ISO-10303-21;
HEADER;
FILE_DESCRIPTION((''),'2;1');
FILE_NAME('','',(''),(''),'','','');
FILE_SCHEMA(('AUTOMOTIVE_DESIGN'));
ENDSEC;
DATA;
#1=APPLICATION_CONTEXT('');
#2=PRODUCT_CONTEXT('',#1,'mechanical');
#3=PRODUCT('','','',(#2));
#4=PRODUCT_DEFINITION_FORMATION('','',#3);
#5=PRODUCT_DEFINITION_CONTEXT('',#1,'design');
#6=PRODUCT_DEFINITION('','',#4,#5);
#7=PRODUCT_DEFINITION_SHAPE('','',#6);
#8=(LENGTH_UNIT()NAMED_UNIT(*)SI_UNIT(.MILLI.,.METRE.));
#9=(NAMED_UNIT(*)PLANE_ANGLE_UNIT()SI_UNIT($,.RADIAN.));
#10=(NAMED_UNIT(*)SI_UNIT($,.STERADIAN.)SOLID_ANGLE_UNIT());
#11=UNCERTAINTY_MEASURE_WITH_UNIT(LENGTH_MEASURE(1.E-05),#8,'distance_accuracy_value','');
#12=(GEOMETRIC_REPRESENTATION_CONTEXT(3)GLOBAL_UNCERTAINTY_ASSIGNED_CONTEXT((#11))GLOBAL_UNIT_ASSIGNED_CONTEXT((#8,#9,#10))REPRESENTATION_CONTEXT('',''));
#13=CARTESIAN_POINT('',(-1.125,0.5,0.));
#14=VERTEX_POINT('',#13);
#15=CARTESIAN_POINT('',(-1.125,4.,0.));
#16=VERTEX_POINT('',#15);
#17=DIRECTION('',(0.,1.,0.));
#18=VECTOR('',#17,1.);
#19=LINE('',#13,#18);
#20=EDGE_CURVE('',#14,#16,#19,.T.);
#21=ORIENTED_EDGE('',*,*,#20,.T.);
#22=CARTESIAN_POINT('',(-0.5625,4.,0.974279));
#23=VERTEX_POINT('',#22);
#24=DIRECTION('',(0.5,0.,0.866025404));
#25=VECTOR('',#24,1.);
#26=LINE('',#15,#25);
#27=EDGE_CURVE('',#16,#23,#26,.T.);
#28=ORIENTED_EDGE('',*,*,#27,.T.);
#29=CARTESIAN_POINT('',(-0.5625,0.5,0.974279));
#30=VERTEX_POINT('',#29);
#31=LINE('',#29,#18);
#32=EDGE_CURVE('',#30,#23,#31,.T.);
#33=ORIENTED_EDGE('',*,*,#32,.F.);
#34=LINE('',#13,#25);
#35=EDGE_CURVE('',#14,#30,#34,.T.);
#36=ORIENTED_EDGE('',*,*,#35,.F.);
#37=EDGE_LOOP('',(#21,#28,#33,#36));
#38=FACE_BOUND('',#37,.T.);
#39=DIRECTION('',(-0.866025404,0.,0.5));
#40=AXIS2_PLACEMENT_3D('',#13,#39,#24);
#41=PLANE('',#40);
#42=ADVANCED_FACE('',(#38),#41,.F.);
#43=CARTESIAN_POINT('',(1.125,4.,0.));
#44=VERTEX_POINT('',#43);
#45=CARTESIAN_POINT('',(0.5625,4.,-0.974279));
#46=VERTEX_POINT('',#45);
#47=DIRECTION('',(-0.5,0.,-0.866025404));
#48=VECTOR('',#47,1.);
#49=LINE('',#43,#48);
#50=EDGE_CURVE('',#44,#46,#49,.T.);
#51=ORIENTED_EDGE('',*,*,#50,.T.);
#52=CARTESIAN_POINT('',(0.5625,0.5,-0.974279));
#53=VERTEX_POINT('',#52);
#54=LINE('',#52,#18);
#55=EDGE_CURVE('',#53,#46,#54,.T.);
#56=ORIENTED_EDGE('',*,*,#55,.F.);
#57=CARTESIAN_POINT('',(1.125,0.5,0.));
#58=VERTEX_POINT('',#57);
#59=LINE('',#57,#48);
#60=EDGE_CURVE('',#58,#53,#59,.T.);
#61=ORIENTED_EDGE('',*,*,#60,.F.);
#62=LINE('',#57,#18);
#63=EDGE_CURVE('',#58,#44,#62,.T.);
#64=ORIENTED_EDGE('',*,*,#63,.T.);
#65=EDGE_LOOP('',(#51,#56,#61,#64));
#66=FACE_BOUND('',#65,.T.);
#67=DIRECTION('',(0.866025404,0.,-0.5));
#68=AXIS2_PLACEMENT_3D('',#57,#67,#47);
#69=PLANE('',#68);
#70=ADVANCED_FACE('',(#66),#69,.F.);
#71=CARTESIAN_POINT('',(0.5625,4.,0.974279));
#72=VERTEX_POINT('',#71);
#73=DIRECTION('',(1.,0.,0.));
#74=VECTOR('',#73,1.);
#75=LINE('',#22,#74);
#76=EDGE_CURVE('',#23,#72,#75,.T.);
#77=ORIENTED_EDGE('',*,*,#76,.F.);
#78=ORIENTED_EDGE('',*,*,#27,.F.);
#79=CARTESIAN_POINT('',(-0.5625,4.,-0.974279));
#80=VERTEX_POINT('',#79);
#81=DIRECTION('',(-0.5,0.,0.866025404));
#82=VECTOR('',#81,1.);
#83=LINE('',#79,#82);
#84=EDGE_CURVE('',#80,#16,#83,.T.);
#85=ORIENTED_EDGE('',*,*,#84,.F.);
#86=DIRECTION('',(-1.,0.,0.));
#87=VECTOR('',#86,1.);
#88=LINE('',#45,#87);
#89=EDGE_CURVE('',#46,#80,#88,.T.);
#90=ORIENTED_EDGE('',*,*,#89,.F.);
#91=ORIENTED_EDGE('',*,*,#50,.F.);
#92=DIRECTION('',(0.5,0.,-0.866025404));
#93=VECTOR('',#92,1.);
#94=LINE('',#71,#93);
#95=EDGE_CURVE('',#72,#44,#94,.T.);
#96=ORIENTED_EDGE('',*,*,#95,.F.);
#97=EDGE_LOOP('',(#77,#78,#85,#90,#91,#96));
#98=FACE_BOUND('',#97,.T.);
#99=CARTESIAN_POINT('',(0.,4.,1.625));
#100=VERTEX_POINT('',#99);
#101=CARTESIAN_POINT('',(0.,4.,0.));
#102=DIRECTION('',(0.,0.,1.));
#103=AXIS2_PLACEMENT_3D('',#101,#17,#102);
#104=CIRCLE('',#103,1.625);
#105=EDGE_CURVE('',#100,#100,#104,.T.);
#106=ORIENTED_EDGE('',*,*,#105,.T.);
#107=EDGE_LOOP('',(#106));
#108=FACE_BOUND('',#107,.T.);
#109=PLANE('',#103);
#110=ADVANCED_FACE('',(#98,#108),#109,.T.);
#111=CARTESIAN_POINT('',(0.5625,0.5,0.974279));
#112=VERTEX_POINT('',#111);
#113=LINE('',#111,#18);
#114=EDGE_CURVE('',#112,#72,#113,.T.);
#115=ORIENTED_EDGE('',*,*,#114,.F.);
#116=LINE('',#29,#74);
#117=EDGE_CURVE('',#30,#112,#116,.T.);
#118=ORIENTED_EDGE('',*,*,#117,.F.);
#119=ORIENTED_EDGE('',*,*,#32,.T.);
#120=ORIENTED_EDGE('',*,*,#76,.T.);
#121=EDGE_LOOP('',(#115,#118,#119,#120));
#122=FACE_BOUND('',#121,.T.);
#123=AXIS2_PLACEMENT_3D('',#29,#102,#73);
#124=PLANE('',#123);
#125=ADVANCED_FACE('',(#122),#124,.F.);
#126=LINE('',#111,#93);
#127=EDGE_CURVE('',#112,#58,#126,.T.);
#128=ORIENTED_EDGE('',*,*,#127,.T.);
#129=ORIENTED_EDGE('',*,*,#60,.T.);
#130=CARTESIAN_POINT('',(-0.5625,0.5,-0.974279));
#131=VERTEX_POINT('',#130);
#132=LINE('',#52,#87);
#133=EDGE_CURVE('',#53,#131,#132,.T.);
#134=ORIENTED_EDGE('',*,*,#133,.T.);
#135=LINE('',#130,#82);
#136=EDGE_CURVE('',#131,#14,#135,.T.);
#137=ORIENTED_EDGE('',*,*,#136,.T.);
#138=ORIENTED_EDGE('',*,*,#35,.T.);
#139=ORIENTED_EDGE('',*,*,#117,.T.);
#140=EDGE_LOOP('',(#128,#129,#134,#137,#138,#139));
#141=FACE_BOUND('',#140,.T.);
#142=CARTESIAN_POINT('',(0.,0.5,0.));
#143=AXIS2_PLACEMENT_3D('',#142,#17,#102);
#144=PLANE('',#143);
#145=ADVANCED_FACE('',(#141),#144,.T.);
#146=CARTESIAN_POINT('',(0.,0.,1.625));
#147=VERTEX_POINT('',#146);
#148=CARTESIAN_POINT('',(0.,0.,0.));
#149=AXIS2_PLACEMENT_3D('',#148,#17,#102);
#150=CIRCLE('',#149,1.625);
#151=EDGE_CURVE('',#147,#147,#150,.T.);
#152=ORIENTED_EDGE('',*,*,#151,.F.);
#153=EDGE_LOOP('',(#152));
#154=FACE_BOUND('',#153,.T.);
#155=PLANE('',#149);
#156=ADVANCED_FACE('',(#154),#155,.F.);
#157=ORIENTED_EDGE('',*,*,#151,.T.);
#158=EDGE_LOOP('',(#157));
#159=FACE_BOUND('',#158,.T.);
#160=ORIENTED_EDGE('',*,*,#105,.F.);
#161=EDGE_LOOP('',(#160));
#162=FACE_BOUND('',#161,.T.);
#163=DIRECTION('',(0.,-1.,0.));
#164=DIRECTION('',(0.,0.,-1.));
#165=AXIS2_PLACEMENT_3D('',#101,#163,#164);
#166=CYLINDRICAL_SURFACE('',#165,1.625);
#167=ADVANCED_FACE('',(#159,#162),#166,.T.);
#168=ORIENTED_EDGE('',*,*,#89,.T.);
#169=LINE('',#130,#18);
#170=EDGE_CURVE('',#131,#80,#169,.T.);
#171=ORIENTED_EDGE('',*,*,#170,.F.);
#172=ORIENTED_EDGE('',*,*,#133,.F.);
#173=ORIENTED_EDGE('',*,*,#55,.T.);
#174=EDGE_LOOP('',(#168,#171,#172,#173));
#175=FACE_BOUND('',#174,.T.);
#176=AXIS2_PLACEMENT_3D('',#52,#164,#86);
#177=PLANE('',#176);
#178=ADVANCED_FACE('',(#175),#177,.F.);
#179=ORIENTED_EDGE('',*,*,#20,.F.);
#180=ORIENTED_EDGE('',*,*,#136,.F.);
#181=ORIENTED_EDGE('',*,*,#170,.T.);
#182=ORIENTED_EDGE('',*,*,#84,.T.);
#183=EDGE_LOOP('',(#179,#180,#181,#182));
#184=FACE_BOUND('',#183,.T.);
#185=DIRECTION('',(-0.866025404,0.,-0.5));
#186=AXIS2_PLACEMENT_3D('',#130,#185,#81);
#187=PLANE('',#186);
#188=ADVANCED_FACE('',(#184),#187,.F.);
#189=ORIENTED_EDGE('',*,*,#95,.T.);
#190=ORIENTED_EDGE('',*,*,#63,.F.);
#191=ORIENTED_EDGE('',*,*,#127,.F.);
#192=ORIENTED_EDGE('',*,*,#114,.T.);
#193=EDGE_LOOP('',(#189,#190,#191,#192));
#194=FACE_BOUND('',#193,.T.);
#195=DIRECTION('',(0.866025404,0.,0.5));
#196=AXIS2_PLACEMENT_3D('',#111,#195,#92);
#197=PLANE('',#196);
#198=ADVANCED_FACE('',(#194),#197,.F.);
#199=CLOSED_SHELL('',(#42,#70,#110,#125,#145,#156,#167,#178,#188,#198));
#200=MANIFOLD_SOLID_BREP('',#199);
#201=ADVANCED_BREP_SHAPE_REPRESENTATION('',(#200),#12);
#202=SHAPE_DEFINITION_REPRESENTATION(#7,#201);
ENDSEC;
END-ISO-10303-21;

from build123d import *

# Parameters (mm, degrees)
SKETCH1_R           = 1.625
BOSS_EXTRUDE1_DEPTH = 4
CUT_EXTRUDE1_DEPTH  = 3.5


with BuildPart() as part:
    # Sketch1 → Boss-Extrude1 (new body)
    with BuildSketch(Plane(origin=(0, 0, 0), x_dir=(1, 0, 0), z_dir=(0, 1, 0))):
        Circle(SKETCH1_R)
    extrude(amount=BOSS_EXTRUDE1_DEPTH)

    # Sketch2 → Cut-Extrude1 (cut)
    with BuildSketch(Plane(origin=(0, 4, 0), x_dir=(1, 0, 0), z_dir=(0, 1, 0))):
        Polygon((1.125, 0), (0.5625, 0.974278579), (-0.5625, 0.974278579), (-1.125, 0), (-0.5625, -0.974278579), (0.5625, -0.974278579), align=None)
    extrude(amount=-CUT_EXTRUDE1_DEPTH, mode=Mode.SUBTRACT)


solid = part.part
